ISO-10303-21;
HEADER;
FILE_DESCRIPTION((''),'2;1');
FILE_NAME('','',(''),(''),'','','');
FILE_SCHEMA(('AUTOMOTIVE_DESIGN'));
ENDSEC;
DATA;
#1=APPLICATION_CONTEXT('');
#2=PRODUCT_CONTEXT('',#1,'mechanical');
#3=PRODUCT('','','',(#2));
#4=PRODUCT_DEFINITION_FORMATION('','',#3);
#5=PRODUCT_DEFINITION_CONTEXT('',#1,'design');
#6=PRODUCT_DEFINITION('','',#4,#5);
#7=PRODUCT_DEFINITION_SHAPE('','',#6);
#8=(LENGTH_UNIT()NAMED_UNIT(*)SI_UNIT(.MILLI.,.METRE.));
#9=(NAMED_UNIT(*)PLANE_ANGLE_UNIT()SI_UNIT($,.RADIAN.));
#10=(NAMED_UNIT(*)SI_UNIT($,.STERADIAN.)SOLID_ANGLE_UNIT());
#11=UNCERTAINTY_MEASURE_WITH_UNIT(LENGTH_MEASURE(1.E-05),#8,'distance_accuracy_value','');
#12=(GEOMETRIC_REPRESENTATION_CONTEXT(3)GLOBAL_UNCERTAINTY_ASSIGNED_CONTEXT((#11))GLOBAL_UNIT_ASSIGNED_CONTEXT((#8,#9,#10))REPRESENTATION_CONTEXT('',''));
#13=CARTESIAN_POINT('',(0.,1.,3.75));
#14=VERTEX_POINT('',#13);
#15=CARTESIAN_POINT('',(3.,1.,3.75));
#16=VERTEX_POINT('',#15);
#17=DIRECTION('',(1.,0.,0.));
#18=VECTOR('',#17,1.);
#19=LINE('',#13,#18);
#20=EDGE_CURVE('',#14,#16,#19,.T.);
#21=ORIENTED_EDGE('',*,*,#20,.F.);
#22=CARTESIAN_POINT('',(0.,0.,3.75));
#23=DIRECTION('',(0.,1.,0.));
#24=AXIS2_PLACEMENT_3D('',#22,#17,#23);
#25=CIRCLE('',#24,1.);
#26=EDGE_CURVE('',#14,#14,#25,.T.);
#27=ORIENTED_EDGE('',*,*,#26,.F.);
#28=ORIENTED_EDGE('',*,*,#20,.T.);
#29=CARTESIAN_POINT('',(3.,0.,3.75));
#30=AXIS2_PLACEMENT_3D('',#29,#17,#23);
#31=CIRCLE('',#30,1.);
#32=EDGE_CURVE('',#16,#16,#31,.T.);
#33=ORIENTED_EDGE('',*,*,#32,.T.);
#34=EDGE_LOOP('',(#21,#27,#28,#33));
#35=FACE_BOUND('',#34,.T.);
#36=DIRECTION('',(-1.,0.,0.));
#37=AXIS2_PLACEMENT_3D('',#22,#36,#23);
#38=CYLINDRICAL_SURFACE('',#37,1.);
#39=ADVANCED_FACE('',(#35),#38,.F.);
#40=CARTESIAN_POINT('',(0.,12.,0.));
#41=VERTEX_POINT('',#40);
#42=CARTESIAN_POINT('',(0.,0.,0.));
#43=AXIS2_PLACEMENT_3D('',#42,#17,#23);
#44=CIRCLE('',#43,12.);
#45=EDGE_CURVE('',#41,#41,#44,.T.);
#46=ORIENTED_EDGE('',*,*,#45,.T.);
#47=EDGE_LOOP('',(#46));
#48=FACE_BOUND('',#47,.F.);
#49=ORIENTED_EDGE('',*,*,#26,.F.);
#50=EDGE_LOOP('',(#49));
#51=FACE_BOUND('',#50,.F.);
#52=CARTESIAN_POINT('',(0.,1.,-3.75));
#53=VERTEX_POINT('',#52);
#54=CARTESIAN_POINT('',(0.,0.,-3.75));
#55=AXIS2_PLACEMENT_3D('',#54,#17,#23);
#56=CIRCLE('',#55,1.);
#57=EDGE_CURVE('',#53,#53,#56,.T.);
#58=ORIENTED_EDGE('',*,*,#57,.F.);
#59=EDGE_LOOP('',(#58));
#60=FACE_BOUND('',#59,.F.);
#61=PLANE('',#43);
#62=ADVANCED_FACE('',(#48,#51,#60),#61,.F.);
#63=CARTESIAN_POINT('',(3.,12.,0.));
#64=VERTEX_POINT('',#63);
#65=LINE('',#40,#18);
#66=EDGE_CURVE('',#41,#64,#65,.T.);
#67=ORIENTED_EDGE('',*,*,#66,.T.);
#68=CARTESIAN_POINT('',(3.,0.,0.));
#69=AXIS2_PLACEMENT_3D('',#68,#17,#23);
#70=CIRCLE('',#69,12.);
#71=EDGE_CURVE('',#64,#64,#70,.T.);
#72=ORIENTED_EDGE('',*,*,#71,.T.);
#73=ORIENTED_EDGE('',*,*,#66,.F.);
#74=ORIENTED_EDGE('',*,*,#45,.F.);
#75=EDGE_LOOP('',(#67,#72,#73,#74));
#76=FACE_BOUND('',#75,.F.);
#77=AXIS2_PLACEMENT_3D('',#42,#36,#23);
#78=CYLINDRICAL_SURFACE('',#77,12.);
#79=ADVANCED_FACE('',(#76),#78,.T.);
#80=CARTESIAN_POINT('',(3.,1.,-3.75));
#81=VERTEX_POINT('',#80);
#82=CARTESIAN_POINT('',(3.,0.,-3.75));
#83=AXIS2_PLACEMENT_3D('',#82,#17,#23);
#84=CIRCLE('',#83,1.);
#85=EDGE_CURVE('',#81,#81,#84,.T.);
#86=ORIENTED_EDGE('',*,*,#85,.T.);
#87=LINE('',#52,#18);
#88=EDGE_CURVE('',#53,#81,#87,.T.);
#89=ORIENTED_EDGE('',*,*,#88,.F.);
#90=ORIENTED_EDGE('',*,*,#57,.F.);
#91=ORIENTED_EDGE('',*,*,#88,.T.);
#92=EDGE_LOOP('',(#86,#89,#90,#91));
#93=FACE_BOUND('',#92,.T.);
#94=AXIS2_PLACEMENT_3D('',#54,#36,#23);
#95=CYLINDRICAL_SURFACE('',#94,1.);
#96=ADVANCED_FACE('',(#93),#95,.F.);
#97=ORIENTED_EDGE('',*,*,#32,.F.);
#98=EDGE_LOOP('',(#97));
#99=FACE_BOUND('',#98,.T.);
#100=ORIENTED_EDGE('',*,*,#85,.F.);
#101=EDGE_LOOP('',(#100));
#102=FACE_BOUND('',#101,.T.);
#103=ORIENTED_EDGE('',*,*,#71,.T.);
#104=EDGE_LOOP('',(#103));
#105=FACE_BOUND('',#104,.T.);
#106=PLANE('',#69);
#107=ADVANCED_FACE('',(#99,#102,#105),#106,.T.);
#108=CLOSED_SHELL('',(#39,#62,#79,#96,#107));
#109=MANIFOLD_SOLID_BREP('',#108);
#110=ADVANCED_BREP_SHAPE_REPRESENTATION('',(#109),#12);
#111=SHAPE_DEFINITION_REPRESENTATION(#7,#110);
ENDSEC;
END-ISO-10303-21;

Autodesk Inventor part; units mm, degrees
ref_plane "YZ Plane" through (0, 0, 0) normal (1, 0, 0) x (0, 1, 0)
ref_plane "XZ Plane" through (0, 0, 0) normal (0, 1, 0) x (-1, 0, 0)
ref_plane "XY Plane" through (0, 0, 0) normal (0, 0, 1) x (1, 0, 0)
sketch "Sketch19" plane through (0, 0, 0) normal (1, 0, 0) x (0, 1, 0)
  circle A0 centre (0, 0) radius 12
  line L0 (0, 0) -> (12, 0) construction
  line L1 (0, 0) -> (0, 3.75) construction
  circle A1 centre (0, 3.75) radius 1
  circle A2 centre (0, -3.75) radius 1
  dimension "d111" = 24
  dimension "d112" = 2
  dimension "d113" = 3.75
extrude "Extrusion16" add sketch "Sketch19" along normal blind 3
properties part number "Washer"
